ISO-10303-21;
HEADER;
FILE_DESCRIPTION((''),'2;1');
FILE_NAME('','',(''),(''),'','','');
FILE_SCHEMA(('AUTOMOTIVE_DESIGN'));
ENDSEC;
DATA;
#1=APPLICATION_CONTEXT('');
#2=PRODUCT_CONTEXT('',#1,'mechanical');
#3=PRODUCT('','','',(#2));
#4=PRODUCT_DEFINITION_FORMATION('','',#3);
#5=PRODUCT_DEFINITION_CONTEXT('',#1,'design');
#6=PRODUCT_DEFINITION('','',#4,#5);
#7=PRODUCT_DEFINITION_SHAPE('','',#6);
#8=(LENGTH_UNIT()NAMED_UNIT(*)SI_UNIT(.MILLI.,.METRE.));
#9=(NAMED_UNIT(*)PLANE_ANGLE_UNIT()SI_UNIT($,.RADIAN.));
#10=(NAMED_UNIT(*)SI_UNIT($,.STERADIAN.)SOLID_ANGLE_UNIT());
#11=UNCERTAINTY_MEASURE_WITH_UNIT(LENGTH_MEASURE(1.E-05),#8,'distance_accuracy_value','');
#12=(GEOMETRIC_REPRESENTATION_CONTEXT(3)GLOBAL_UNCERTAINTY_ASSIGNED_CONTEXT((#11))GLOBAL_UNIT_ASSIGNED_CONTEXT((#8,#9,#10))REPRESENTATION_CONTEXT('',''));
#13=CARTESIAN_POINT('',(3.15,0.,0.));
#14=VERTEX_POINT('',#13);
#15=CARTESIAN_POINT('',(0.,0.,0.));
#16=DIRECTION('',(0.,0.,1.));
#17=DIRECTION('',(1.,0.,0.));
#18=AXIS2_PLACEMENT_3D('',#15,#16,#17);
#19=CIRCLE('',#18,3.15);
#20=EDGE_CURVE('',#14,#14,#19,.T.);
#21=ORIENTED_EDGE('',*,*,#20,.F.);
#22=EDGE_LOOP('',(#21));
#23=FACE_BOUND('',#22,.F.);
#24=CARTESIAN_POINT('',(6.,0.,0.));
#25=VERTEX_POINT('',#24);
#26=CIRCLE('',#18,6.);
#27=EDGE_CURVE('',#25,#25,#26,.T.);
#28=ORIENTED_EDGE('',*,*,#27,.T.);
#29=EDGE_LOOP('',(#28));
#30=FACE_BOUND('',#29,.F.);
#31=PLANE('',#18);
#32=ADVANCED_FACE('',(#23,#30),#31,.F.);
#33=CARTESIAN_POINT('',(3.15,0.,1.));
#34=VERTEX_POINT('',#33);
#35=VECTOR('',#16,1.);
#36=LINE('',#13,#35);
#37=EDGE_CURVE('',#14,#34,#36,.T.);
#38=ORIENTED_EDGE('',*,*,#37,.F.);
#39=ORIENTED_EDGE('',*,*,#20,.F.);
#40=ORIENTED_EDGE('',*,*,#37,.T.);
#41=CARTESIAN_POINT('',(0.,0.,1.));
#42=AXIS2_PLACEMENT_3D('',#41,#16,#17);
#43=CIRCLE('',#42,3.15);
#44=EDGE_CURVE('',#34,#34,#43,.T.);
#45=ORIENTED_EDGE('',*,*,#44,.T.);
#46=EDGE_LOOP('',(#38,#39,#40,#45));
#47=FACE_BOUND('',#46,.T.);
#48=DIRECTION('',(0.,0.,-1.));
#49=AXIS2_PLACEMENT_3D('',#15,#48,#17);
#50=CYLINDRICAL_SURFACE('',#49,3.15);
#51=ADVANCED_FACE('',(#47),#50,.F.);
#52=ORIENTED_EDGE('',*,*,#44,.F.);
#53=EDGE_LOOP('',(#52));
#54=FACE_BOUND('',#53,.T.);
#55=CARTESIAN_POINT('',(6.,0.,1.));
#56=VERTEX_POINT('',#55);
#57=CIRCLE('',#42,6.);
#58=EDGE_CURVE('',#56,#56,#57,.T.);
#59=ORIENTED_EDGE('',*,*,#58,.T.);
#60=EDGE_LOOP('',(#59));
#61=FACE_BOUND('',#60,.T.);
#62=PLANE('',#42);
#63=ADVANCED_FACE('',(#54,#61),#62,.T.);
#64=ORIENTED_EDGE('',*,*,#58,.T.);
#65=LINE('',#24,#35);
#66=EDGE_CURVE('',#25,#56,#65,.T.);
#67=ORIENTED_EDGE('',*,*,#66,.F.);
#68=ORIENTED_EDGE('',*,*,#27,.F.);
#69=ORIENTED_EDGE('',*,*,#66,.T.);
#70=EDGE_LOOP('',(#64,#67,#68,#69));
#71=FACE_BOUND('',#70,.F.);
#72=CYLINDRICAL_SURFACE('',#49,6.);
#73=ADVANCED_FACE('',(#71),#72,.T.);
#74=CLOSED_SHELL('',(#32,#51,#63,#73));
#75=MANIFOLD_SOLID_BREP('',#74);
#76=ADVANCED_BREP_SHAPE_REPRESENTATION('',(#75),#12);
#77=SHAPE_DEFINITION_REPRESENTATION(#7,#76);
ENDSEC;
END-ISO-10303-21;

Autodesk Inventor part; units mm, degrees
ref_plane "YZ Plane" through (0, 0, 0) normal (1, 0, 0) x (0, 1, 0)
ref_plane "XZ Plane" through (0, 0, 0) normal (0, 1, 0) x (-1, 0, 0)
ref_plane "XY Plane" through (0, 0, 0) normal (0, 0, 1) x (1, 0, 0)
sketch "スケッチ1" plane through (0, 0, 0) normal (0, 0, 1) x (1, 0, 0)
  circle A0 centre (0, 0) radius 3.15
  circle A1 centre (0, 0) radius 6
  dimension "d0" = 6.3
  dimension "d1" = 12
extrude "押し出し1" add sketch "スケッチ1" along normal blind 1
properties part number "CC-0612-10B" material "アセタール樹脂、黒"
